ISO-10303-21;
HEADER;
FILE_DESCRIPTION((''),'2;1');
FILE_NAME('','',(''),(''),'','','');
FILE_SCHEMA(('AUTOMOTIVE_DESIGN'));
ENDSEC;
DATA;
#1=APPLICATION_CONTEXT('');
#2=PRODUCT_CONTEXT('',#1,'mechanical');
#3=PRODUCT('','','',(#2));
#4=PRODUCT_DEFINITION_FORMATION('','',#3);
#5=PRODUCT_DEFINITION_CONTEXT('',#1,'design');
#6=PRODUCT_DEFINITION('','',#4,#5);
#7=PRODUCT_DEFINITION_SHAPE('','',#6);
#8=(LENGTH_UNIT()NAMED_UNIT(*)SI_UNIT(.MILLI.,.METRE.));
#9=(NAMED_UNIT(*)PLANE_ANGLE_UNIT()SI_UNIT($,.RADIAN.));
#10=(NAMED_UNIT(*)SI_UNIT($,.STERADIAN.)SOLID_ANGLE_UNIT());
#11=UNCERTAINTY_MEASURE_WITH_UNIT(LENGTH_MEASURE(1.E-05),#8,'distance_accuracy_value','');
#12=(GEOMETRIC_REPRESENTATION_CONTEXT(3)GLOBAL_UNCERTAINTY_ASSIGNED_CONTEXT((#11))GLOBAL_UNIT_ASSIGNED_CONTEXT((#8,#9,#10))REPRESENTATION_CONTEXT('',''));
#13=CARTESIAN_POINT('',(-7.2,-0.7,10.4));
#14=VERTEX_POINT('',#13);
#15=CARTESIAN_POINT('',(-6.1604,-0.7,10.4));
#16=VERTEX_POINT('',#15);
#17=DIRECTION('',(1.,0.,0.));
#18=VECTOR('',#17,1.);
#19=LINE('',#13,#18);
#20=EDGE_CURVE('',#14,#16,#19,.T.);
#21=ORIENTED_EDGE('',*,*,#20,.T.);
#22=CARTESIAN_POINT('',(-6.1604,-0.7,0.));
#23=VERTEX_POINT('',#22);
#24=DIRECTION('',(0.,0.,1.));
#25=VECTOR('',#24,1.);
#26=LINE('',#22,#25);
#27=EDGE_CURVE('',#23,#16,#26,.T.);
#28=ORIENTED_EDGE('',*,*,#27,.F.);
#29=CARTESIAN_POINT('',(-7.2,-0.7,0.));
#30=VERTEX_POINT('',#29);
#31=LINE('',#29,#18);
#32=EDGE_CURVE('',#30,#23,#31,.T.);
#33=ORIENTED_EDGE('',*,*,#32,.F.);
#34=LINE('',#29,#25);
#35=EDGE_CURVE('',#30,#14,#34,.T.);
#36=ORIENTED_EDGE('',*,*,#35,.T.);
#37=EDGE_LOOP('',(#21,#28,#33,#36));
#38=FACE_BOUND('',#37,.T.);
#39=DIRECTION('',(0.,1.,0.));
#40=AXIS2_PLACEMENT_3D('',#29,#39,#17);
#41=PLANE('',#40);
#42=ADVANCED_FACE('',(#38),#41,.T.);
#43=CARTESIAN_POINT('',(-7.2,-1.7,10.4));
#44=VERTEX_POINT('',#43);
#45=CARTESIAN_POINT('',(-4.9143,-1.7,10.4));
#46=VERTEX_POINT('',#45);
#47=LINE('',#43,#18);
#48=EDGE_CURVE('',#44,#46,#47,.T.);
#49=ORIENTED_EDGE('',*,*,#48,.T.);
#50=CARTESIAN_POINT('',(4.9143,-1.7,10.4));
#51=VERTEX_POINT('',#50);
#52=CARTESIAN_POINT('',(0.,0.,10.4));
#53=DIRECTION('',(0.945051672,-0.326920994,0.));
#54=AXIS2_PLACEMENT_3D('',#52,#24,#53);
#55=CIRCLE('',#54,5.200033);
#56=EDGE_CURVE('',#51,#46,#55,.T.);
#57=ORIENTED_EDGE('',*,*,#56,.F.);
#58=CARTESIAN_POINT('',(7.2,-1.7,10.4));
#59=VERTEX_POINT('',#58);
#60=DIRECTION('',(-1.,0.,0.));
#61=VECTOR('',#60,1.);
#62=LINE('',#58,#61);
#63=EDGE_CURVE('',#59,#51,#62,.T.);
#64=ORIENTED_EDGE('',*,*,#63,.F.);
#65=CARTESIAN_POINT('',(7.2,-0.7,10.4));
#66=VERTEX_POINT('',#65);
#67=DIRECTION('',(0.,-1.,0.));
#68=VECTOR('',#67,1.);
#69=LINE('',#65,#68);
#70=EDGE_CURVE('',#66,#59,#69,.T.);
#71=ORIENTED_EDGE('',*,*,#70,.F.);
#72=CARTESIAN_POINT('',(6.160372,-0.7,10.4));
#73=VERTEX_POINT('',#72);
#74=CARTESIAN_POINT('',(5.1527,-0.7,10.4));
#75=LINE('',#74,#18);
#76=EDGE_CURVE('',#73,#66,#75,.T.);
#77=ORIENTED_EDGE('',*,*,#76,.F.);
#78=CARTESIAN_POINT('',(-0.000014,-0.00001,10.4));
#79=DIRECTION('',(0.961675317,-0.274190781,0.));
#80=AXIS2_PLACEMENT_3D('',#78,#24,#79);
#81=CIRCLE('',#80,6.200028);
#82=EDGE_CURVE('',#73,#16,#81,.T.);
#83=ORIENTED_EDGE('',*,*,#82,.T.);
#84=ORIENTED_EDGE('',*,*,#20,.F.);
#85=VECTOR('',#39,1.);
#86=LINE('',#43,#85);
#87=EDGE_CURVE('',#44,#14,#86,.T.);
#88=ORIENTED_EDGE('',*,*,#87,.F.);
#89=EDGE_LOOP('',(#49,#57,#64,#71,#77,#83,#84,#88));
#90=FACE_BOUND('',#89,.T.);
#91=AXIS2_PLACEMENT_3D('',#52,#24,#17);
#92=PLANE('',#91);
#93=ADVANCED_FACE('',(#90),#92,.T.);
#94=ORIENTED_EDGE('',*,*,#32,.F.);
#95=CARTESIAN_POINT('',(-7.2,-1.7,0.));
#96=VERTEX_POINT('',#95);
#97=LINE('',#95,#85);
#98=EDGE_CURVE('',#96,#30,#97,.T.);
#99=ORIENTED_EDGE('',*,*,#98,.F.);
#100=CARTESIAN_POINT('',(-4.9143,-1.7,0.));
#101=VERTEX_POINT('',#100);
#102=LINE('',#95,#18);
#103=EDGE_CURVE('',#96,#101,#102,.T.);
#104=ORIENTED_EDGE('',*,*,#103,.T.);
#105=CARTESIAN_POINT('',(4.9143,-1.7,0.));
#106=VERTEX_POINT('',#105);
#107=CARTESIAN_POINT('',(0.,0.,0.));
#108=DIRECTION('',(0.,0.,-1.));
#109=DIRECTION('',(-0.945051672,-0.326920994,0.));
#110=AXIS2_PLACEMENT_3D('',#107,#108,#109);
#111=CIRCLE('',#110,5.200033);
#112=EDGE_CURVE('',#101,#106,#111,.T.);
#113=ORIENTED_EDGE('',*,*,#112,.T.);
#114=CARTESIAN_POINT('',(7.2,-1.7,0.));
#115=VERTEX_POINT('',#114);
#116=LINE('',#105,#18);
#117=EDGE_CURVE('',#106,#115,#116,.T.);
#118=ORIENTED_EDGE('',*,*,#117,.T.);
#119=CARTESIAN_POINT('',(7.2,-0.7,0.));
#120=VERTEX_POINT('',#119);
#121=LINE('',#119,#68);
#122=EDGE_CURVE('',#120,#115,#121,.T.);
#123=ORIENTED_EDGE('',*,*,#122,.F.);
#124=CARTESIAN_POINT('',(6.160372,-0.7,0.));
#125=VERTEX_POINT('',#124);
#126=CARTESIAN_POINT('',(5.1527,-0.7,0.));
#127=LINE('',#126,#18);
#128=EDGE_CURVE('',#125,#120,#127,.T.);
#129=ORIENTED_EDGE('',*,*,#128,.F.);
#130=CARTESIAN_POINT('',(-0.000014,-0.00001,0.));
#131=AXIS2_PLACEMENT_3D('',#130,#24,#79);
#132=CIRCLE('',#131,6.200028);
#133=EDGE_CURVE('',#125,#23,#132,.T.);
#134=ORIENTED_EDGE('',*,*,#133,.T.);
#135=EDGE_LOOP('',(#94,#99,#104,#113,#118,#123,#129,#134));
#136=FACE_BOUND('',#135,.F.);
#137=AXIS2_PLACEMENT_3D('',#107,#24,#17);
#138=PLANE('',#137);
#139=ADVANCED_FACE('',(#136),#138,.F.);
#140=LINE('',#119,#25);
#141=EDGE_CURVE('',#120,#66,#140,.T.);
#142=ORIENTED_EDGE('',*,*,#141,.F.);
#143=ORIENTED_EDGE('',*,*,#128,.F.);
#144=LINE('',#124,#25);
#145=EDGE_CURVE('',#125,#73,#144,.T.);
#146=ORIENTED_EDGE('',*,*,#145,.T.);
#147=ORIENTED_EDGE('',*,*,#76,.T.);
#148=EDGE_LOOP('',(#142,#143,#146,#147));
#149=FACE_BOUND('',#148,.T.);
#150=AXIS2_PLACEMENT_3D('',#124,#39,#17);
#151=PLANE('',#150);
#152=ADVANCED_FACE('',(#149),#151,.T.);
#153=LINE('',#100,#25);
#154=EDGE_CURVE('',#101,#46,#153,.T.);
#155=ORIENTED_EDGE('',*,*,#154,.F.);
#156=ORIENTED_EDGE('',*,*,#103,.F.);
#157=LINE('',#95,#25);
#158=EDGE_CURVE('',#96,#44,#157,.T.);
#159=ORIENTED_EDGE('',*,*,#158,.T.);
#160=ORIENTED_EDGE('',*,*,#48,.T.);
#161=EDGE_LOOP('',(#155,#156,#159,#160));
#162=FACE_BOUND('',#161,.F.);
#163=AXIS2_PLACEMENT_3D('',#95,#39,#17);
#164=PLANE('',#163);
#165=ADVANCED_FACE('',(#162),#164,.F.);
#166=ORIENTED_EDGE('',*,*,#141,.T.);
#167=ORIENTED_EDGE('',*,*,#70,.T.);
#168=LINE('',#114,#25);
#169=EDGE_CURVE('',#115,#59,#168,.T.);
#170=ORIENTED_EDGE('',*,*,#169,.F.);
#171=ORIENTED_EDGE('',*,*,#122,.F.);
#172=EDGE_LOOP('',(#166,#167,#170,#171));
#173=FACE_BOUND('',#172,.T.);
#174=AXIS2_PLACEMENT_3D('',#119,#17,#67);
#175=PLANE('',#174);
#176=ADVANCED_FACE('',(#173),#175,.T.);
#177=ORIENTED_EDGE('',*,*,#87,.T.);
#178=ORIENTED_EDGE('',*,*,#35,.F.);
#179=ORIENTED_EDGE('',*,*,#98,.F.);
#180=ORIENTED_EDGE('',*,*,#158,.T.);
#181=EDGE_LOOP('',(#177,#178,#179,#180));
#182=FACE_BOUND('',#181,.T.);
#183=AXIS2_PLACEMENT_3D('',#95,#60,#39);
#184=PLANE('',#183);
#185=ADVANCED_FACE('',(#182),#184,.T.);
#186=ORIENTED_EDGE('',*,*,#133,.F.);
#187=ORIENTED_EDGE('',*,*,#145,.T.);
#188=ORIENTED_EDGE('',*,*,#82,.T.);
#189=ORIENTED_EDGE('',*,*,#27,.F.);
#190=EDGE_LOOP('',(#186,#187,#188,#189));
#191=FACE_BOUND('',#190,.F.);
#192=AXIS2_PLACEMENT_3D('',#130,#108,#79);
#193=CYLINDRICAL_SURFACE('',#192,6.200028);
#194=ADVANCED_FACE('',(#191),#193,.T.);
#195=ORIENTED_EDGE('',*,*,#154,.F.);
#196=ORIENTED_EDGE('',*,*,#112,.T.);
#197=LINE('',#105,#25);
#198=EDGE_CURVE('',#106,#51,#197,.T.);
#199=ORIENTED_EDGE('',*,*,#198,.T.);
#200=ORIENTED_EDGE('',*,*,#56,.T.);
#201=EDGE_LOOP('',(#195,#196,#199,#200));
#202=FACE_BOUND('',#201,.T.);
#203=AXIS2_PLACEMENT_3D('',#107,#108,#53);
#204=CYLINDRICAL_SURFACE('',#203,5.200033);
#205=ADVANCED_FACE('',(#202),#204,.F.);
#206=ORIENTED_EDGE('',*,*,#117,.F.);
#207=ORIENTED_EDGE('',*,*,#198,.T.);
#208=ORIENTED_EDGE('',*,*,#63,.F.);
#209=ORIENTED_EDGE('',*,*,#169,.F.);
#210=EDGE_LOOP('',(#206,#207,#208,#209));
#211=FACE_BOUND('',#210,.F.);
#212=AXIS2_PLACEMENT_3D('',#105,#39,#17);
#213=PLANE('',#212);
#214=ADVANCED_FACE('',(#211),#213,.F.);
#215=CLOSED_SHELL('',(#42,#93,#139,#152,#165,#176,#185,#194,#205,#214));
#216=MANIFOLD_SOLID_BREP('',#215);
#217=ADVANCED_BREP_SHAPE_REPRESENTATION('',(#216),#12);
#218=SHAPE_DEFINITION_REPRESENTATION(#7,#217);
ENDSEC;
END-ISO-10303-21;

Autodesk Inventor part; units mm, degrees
ref_plane "YZ Plane" through (0, 0, 0) normal (1, 0, 0) x (0, 1, 0)
ref_plane "XZ Plane" through (0, 0, 0) normal (0, 1, 0) x (-1, 0, 0)
ref_plane "XY Plane" through (0, 0, 0) normal (0, 0, 1) x (1, 0, 0)
sketch "스케치1" plane through (0, 0, 0) normal (0, 0, 1) x (1, 0, 0)
  arc A0 (4.9143, -1.7) -> (-4.9143, -1.7) centre (0, 0) ccw
  line L0 (-7.2, -1.7) -> (-7.2, -0.7)
  line L1 (7.2, -0.7) -> (7.2, -1.7)
  arc A1 (5.9624, -1.7) -> (-6.1604, -0.7) centre (0, 0) ccw
  line L2 (-7.2, -1.7) -> (-4.9143, -1.7)
  line L3 (4.9143, -1.7) -> (7.2, -1.7)
  line L4 (-7.2, -0.7) -> (-5.1527, -0.7)
  line L5 (5.1527, -0.7) -> (7.2, -0.7)
  point P0 (0, -0.7)
  point P1 (6.1604, -0.7)
  dimension "d0" = 10.4
  dimension "d1" = 1
  dimension "d2" = 0.7
  dimension "d3" = 2
  dimension "d4" = 1
extrude "돌출1" add sketch "스케치1" along normal blind 10.4
properties part number "rotion_stopper"
